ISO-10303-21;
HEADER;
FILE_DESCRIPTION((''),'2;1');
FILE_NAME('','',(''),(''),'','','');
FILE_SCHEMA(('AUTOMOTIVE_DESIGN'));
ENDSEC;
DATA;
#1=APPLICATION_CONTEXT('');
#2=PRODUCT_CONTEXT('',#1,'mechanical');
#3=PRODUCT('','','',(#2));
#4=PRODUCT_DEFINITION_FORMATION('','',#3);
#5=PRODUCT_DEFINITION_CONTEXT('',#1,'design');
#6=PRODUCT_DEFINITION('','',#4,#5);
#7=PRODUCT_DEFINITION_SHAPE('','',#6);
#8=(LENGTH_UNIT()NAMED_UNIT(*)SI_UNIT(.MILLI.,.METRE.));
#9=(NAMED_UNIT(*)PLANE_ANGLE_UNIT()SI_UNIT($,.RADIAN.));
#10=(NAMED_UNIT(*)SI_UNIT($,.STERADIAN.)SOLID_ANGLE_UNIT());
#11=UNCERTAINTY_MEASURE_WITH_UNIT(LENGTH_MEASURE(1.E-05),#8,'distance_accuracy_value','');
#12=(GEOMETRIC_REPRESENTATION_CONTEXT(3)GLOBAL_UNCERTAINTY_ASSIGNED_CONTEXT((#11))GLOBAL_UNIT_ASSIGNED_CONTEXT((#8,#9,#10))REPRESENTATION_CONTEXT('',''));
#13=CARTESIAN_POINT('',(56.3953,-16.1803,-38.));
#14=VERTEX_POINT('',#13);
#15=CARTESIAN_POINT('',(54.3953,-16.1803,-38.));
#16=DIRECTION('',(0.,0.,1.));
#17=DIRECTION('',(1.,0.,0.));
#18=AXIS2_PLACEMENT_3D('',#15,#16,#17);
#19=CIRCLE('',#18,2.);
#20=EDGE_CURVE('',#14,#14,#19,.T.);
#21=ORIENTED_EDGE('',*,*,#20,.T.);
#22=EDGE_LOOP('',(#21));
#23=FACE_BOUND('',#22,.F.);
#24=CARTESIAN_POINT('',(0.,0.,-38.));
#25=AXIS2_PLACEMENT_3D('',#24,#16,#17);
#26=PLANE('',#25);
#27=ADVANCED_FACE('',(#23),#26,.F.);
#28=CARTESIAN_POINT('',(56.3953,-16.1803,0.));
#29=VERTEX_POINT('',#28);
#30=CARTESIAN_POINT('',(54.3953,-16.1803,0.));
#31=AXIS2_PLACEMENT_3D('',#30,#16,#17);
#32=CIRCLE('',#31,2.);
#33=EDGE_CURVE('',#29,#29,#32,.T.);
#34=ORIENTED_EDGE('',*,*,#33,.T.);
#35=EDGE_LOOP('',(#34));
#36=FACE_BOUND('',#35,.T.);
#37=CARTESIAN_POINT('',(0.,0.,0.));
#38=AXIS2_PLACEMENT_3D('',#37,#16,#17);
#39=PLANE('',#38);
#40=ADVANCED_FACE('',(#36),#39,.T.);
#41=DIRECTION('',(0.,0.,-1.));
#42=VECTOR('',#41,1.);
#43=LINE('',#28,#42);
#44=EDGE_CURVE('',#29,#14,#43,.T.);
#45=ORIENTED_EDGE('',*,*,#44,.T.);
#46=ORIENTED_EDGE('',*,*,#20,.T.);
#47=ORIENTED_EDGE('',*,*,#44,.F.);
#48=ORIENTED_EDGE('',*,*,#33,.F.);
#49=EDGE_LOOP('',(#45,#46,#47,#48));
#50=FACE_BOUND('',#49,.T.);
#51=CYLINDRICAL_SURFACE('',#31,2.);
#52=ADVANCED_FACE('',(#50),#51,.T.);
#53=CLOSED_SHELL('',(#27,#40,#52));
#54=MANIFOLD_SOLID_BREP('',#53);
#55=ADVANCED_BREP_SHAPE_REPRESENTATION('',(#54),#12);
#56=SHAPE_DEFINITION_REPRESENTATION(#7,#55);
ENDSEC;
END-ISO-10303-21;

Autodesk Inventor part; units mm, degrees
ref_plane "YZ Plane" through (0, 0, 0) normal (1, 0, 0) x (0, 1, 0)
ref_plane "Work Plane1" through (0, 0, 0) normal (0, 0, 1) x (1, 0, 0)
sketch "Sketch1" plane through (0, 0, 0) normal (0, 0, 1) x (1, 0, 0)
  circle A0 centre (54.3953, -16.1803) radius 4.0005 projected
  circle A1 centre (54.3953, -16.1803) radius 2
  point P0 (0, 0)
ref_plane "Work Plane2" through (0, -29.5, -27) normal (0, 0, -1) x (0, 1, 0)
ref_plane "Work Plane3" through (38.9126, -31.7019, -38) normal (0, 0, -1) x (0.3643, 0.9313, 0)
extrude "Extrusion1" add sketch "Sketch1" against normal up to surface (38 mm away) contours A1
properties part number "smolGear_shaft" material "PVC, Unplasticized"
